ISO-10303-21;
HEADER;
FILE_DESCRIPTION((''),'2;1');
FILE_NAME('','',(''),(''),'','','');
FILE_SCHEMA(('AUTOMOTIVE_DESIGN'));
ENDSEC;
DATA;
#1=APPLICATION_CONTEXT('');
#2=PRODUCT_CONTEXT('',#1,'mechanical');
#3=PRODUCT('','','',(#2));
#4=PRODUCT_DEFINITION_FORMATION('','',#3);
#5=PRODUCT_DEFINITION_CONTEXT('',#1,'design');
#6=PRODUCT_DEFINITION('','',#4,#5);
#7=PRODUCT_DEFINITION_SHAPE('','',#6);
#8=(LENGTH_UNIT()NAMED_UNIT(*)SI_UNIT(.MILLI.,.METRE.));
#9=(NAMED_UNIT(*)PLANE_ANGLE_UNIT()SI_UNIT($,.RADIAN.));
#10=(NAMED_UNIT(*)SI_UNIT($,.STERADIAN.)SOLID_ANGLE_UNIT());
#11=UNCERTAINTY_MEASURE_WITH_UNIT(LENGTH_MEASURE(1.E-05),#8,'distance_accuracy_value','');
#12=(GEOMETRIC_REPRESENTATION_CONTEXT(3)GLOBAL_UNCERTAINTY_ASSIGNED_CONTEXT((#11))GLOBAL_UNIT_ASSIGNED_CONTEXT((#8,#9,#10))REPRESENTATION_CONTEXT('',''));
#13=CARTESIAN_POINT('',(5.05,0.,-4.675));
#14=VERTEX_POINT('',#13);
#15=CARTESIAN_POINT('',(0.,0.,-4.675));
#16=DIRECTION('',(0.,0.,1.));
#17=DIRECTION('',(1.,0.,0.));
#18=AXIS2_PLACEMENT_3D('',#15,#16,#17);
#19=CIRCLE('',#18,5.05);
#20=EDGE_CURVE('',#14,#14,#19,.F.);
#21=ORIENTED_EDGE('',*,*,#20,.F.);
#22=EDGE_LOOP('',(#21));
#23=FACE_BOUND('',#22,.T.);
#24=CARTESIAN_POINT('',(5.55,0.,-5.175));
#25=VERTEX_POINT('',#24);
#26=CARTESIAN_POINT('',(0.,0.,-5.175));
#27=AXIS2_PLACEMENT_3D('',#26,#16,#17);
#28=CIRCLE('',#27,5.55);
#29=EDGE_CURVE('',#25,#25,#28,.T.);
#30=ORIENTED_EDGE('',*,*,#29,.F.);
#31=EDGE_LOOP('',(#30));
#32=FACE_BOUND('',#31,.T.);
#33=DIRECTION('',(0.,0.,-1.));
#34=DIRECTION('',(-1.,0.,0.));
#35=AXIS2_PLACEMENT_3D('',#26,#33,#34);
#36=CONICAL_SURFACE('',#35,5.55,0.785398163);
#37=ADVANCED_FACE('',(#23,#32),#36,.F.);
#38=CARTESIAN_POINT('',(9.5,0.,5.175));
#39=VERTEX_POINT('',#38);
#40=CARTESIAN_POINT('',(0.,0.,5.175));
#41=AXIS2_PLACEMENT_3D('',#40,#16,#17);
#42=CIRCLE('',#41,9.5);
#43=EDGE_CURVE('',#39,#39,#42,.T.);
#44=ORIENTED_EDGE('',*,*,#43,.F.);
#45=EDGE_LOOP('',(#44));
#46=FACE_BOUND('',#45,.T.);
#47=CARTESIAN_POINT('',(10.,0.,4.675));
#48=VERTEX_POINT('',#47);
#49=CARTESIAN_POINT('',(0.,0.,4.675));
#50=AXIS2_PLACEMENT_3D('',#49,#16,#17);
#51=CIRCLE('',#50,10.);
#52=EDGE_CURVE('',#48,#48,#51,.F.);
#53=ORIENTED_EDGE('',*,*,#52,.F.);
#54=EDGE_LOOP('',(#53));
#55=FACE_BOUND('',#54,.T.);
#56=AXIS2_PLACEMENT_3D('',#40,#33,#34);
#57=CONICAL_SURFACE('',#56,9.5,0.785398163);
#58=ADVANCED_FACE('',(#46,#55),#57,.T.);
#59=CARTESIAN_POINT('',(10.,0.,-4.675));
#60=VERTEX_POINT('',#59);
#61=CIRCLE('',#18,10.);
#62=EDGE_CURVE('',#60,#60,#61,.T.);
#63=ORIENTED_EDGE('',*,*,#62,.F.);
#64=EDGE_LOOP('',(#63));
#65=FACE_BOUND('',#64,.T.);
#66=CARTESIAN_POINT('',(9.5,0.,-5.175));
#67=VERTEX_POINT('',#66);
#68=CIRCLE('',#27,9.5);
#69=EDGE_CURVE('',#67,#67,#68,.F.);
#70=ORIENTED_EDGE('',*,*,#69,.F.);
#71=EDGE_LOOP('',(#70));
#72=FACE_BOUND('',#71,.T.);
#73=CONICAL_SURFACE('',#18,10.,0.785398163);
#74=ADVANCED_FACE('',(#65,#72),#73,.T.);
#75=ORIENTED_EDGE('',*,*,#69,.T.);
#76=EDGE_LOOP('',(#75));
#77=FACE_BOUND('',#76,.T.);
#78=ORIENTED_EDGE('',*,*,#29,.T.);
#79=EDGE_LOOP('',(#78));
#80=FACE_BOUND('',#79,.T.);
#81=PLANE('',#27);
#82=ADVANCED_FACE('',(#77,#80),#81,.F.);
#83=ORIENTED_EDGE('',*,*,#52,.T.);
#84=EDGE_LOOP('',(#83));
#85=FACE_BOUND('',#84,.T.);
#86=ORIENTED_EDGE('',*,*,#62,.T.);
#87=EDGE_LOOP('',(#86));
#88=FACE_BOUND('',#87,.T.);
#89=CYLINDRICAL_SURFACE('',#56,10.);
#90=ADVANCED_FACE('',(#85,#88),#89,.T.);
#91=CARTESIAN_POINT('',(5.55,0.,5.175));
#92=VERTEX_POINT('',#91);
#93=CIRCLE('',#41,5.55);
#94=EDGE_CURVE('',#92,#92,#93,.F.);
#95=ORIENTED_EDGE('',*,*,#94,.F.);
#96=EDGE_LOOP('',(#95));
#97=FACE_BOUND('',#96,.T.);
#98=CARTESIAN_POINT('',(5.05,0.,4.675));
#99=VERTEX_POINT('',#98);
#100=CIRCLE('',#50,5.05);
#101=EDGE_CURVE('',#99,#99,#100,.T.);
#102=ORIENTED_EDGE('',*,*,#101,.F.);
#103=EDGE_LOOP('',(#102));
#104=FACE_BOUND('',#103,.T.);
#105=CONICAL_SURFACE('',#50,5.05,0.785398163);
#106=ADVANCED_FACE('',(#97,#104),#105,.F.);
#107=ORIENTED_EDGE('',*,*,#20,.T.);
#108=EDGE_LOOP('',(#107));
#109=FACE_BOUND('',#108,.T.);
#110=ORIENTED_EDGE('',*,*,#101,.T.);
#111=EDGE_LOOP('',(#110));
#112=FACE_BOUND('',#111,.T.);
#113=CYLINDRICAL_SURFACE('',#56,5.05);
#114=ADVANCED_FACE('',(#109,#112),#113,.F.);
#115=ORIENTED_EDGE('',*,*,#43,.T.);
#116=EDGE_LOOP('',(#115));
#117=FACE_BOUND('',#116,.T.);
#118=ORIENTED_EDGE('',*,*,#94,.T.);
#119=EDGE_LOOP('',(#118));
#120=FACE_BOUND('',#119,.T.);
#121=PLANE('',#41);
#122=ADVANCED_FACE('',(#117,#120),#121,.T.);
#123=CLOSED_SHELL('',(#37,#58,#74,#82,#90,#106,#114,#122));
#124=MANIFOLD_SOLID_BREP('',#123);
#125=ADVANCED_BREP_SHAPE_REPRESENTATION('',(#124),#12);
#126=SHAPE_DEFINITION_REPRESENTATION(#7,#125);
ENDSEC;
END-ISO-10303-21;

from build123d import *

# Parameters (mm, degrees)
ESBO_O1_R                = 10
ESBO_O1_R_2              = 5.05
RESSALTO_EXTRUS_O1_DEPTH = 5.175
CHANFRO1_SIZE            = 0.5


with BuildPart() as part:
    # Esboço1 → Ressalto-extrusão1 (new, symmetric)
    with BuildSketch(Plane.XY):
        Circle(ESBO_O1_R)
        Circle(ESBO_O1_R_2, mode=Mode.SUBTRACT)
    extrude(amount=RESSALTO_EXTRUS_O1_DEPTH, both=True)

    # Chanfro1
    chanfro1_edges = [part.edges().sort_by_distance(p)[0] for p in [
        (-10, 0, -5.175),
        (-10, 0, 5.175),
        (-5.05, 0, -5.175),
        (-5.05, 0, 5.175),
    ]]
    chamfer(chanfro1_edges, length=CHANFRO1_SIZE)


solid = part.part
